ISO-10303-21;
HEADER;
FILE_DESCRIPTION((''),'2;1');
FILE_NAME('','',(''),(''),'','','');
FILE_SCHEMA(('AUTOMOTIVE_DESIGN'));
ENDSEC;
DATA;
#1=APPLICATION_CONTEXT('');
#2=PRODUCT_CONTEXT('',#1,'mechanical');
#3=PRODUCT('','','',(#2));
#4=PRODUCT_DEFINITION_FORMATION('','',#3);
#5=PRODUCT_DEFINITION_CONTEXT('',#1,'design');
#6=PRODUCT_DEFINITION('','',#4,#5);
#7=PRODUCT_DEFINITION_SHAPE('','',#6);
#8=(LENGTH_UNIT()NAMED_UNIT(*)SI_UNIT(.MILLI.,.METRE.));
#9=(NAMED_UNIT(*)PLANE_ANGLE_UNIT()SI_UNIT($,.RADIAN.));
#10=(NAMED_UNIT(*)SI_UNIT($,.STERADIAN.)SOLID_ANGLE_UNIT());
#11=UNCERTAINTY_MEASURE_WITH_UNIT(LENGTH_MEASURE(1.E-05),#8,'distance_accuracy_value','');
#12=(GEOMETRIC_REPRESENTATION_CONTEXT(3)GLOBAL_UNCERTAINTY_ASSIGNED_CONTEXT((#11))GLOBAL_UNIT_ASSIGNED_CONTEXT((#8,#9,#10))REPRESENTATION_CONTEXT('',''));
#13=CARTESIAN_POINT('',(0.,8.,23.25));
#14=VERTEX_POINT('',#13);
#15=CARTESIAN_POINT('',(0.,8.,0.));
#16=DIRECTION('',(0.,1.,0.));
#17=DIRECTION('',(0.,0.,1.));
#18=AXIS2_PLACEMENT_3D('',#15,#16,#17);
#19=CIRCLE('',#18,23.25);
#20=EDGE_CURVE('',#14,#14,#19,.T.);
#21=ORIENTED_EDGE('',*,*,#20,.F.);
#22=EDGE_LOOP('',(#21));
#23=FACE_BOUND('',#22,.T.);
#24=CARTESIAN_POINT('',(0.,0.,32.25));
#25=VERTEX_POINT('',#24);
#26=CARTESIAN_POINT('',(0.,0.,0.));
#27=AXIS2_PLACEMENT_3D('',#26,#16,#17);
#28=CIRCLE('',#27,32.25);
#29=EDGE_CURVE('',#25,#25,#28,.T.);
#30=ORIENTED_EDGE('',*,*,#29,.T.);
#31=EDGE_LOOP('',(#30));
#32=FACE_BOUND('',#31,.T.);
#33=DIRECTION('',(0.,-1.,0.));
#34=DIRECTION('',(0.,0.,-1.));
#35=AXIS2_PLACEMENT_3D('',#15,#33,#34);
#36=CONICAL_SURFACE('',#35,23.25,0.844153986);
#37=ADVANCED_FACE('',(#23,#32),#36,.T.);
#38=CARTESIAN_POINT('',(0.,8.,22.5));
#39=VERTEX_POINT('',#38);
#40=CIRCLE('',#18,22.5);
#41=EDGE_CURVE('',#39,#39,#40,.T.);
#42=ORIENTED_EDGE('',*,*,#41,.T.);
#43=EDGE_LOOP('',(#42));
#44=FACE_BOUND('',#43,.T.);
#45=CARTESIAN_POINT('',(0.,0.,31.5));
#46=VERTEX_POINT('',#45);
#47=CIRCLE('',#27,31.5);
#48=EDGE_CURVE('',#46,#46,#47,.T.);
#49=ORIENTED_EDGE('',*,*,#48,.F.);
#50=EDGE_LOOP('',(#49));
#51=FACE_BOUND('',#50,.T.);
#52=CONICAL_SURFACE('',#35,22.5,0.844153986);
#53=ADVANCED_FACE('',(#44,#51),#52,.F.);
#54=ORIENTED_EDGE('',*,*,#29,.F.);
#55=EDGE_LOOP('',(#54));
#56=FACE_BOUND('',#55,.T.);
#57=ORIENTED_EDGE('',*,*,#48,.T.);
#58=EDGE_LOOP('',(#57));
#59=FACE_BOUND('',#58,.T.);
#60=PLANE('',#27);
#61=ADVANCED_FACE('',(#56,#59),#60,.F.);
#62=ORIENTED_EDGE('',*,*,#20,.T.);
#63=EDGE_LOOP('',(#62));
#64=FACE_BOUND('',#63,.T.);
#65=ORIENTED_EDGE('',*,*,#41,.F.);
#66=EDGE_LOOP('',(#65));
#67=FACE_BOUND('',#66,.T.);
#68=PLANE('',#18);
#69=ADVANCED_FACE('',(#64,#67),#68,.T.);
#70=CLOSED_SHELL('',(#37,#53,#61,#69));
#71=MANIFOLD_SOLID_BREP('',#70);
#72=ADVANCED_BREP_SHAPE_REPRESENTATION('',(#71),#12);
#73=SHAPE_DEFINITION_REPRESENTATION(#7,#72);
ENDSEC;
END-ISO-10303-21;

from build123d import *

# Parameters (mm, degrees)
SKETCH1_R    = 32.25
SKETCH2_R    = 23.25
SKETCH2_5_R  = 22.5
SKETCH1_52_R = 31.5


with BuildPart() as part:
    # Sketch1 → Loft2 section 0
    with BuildSketch(Plane(origin=(0, 0, 0), x_dir=(1, 0, 0), z_dir=(0, 1, 0))):
        Circle(SKETCH1_R)
    # Sketch2 → Loft2 section 1
    with BuildSketch(Plane(origin=(0, 8, 0), x_dir=(1, 0, 0), z_dir=(0, 1, 0))):
        Circle(SKETCH2_R)
    loft()

    # Sketch2<5> → Cut-Loft1 section 0
    with BuildSketch(Plane(origin=(0, 8, 0), x_dir=(1, 0, 0), z_dir=(0, 1, 0))):
        Circle(SKETCH2_5_R)
    # Sketch1<52> → Cut-Loft1 section 1
    with BuildSketch(Plane(origin=(0, 0, 0), x_dir=(1, 0, 0), z_dir=(0, 1, 0))):
        Circle(SKETCH1_52_R)
    loft(mode=Mode.SUBTRACT)


solid = part.part
